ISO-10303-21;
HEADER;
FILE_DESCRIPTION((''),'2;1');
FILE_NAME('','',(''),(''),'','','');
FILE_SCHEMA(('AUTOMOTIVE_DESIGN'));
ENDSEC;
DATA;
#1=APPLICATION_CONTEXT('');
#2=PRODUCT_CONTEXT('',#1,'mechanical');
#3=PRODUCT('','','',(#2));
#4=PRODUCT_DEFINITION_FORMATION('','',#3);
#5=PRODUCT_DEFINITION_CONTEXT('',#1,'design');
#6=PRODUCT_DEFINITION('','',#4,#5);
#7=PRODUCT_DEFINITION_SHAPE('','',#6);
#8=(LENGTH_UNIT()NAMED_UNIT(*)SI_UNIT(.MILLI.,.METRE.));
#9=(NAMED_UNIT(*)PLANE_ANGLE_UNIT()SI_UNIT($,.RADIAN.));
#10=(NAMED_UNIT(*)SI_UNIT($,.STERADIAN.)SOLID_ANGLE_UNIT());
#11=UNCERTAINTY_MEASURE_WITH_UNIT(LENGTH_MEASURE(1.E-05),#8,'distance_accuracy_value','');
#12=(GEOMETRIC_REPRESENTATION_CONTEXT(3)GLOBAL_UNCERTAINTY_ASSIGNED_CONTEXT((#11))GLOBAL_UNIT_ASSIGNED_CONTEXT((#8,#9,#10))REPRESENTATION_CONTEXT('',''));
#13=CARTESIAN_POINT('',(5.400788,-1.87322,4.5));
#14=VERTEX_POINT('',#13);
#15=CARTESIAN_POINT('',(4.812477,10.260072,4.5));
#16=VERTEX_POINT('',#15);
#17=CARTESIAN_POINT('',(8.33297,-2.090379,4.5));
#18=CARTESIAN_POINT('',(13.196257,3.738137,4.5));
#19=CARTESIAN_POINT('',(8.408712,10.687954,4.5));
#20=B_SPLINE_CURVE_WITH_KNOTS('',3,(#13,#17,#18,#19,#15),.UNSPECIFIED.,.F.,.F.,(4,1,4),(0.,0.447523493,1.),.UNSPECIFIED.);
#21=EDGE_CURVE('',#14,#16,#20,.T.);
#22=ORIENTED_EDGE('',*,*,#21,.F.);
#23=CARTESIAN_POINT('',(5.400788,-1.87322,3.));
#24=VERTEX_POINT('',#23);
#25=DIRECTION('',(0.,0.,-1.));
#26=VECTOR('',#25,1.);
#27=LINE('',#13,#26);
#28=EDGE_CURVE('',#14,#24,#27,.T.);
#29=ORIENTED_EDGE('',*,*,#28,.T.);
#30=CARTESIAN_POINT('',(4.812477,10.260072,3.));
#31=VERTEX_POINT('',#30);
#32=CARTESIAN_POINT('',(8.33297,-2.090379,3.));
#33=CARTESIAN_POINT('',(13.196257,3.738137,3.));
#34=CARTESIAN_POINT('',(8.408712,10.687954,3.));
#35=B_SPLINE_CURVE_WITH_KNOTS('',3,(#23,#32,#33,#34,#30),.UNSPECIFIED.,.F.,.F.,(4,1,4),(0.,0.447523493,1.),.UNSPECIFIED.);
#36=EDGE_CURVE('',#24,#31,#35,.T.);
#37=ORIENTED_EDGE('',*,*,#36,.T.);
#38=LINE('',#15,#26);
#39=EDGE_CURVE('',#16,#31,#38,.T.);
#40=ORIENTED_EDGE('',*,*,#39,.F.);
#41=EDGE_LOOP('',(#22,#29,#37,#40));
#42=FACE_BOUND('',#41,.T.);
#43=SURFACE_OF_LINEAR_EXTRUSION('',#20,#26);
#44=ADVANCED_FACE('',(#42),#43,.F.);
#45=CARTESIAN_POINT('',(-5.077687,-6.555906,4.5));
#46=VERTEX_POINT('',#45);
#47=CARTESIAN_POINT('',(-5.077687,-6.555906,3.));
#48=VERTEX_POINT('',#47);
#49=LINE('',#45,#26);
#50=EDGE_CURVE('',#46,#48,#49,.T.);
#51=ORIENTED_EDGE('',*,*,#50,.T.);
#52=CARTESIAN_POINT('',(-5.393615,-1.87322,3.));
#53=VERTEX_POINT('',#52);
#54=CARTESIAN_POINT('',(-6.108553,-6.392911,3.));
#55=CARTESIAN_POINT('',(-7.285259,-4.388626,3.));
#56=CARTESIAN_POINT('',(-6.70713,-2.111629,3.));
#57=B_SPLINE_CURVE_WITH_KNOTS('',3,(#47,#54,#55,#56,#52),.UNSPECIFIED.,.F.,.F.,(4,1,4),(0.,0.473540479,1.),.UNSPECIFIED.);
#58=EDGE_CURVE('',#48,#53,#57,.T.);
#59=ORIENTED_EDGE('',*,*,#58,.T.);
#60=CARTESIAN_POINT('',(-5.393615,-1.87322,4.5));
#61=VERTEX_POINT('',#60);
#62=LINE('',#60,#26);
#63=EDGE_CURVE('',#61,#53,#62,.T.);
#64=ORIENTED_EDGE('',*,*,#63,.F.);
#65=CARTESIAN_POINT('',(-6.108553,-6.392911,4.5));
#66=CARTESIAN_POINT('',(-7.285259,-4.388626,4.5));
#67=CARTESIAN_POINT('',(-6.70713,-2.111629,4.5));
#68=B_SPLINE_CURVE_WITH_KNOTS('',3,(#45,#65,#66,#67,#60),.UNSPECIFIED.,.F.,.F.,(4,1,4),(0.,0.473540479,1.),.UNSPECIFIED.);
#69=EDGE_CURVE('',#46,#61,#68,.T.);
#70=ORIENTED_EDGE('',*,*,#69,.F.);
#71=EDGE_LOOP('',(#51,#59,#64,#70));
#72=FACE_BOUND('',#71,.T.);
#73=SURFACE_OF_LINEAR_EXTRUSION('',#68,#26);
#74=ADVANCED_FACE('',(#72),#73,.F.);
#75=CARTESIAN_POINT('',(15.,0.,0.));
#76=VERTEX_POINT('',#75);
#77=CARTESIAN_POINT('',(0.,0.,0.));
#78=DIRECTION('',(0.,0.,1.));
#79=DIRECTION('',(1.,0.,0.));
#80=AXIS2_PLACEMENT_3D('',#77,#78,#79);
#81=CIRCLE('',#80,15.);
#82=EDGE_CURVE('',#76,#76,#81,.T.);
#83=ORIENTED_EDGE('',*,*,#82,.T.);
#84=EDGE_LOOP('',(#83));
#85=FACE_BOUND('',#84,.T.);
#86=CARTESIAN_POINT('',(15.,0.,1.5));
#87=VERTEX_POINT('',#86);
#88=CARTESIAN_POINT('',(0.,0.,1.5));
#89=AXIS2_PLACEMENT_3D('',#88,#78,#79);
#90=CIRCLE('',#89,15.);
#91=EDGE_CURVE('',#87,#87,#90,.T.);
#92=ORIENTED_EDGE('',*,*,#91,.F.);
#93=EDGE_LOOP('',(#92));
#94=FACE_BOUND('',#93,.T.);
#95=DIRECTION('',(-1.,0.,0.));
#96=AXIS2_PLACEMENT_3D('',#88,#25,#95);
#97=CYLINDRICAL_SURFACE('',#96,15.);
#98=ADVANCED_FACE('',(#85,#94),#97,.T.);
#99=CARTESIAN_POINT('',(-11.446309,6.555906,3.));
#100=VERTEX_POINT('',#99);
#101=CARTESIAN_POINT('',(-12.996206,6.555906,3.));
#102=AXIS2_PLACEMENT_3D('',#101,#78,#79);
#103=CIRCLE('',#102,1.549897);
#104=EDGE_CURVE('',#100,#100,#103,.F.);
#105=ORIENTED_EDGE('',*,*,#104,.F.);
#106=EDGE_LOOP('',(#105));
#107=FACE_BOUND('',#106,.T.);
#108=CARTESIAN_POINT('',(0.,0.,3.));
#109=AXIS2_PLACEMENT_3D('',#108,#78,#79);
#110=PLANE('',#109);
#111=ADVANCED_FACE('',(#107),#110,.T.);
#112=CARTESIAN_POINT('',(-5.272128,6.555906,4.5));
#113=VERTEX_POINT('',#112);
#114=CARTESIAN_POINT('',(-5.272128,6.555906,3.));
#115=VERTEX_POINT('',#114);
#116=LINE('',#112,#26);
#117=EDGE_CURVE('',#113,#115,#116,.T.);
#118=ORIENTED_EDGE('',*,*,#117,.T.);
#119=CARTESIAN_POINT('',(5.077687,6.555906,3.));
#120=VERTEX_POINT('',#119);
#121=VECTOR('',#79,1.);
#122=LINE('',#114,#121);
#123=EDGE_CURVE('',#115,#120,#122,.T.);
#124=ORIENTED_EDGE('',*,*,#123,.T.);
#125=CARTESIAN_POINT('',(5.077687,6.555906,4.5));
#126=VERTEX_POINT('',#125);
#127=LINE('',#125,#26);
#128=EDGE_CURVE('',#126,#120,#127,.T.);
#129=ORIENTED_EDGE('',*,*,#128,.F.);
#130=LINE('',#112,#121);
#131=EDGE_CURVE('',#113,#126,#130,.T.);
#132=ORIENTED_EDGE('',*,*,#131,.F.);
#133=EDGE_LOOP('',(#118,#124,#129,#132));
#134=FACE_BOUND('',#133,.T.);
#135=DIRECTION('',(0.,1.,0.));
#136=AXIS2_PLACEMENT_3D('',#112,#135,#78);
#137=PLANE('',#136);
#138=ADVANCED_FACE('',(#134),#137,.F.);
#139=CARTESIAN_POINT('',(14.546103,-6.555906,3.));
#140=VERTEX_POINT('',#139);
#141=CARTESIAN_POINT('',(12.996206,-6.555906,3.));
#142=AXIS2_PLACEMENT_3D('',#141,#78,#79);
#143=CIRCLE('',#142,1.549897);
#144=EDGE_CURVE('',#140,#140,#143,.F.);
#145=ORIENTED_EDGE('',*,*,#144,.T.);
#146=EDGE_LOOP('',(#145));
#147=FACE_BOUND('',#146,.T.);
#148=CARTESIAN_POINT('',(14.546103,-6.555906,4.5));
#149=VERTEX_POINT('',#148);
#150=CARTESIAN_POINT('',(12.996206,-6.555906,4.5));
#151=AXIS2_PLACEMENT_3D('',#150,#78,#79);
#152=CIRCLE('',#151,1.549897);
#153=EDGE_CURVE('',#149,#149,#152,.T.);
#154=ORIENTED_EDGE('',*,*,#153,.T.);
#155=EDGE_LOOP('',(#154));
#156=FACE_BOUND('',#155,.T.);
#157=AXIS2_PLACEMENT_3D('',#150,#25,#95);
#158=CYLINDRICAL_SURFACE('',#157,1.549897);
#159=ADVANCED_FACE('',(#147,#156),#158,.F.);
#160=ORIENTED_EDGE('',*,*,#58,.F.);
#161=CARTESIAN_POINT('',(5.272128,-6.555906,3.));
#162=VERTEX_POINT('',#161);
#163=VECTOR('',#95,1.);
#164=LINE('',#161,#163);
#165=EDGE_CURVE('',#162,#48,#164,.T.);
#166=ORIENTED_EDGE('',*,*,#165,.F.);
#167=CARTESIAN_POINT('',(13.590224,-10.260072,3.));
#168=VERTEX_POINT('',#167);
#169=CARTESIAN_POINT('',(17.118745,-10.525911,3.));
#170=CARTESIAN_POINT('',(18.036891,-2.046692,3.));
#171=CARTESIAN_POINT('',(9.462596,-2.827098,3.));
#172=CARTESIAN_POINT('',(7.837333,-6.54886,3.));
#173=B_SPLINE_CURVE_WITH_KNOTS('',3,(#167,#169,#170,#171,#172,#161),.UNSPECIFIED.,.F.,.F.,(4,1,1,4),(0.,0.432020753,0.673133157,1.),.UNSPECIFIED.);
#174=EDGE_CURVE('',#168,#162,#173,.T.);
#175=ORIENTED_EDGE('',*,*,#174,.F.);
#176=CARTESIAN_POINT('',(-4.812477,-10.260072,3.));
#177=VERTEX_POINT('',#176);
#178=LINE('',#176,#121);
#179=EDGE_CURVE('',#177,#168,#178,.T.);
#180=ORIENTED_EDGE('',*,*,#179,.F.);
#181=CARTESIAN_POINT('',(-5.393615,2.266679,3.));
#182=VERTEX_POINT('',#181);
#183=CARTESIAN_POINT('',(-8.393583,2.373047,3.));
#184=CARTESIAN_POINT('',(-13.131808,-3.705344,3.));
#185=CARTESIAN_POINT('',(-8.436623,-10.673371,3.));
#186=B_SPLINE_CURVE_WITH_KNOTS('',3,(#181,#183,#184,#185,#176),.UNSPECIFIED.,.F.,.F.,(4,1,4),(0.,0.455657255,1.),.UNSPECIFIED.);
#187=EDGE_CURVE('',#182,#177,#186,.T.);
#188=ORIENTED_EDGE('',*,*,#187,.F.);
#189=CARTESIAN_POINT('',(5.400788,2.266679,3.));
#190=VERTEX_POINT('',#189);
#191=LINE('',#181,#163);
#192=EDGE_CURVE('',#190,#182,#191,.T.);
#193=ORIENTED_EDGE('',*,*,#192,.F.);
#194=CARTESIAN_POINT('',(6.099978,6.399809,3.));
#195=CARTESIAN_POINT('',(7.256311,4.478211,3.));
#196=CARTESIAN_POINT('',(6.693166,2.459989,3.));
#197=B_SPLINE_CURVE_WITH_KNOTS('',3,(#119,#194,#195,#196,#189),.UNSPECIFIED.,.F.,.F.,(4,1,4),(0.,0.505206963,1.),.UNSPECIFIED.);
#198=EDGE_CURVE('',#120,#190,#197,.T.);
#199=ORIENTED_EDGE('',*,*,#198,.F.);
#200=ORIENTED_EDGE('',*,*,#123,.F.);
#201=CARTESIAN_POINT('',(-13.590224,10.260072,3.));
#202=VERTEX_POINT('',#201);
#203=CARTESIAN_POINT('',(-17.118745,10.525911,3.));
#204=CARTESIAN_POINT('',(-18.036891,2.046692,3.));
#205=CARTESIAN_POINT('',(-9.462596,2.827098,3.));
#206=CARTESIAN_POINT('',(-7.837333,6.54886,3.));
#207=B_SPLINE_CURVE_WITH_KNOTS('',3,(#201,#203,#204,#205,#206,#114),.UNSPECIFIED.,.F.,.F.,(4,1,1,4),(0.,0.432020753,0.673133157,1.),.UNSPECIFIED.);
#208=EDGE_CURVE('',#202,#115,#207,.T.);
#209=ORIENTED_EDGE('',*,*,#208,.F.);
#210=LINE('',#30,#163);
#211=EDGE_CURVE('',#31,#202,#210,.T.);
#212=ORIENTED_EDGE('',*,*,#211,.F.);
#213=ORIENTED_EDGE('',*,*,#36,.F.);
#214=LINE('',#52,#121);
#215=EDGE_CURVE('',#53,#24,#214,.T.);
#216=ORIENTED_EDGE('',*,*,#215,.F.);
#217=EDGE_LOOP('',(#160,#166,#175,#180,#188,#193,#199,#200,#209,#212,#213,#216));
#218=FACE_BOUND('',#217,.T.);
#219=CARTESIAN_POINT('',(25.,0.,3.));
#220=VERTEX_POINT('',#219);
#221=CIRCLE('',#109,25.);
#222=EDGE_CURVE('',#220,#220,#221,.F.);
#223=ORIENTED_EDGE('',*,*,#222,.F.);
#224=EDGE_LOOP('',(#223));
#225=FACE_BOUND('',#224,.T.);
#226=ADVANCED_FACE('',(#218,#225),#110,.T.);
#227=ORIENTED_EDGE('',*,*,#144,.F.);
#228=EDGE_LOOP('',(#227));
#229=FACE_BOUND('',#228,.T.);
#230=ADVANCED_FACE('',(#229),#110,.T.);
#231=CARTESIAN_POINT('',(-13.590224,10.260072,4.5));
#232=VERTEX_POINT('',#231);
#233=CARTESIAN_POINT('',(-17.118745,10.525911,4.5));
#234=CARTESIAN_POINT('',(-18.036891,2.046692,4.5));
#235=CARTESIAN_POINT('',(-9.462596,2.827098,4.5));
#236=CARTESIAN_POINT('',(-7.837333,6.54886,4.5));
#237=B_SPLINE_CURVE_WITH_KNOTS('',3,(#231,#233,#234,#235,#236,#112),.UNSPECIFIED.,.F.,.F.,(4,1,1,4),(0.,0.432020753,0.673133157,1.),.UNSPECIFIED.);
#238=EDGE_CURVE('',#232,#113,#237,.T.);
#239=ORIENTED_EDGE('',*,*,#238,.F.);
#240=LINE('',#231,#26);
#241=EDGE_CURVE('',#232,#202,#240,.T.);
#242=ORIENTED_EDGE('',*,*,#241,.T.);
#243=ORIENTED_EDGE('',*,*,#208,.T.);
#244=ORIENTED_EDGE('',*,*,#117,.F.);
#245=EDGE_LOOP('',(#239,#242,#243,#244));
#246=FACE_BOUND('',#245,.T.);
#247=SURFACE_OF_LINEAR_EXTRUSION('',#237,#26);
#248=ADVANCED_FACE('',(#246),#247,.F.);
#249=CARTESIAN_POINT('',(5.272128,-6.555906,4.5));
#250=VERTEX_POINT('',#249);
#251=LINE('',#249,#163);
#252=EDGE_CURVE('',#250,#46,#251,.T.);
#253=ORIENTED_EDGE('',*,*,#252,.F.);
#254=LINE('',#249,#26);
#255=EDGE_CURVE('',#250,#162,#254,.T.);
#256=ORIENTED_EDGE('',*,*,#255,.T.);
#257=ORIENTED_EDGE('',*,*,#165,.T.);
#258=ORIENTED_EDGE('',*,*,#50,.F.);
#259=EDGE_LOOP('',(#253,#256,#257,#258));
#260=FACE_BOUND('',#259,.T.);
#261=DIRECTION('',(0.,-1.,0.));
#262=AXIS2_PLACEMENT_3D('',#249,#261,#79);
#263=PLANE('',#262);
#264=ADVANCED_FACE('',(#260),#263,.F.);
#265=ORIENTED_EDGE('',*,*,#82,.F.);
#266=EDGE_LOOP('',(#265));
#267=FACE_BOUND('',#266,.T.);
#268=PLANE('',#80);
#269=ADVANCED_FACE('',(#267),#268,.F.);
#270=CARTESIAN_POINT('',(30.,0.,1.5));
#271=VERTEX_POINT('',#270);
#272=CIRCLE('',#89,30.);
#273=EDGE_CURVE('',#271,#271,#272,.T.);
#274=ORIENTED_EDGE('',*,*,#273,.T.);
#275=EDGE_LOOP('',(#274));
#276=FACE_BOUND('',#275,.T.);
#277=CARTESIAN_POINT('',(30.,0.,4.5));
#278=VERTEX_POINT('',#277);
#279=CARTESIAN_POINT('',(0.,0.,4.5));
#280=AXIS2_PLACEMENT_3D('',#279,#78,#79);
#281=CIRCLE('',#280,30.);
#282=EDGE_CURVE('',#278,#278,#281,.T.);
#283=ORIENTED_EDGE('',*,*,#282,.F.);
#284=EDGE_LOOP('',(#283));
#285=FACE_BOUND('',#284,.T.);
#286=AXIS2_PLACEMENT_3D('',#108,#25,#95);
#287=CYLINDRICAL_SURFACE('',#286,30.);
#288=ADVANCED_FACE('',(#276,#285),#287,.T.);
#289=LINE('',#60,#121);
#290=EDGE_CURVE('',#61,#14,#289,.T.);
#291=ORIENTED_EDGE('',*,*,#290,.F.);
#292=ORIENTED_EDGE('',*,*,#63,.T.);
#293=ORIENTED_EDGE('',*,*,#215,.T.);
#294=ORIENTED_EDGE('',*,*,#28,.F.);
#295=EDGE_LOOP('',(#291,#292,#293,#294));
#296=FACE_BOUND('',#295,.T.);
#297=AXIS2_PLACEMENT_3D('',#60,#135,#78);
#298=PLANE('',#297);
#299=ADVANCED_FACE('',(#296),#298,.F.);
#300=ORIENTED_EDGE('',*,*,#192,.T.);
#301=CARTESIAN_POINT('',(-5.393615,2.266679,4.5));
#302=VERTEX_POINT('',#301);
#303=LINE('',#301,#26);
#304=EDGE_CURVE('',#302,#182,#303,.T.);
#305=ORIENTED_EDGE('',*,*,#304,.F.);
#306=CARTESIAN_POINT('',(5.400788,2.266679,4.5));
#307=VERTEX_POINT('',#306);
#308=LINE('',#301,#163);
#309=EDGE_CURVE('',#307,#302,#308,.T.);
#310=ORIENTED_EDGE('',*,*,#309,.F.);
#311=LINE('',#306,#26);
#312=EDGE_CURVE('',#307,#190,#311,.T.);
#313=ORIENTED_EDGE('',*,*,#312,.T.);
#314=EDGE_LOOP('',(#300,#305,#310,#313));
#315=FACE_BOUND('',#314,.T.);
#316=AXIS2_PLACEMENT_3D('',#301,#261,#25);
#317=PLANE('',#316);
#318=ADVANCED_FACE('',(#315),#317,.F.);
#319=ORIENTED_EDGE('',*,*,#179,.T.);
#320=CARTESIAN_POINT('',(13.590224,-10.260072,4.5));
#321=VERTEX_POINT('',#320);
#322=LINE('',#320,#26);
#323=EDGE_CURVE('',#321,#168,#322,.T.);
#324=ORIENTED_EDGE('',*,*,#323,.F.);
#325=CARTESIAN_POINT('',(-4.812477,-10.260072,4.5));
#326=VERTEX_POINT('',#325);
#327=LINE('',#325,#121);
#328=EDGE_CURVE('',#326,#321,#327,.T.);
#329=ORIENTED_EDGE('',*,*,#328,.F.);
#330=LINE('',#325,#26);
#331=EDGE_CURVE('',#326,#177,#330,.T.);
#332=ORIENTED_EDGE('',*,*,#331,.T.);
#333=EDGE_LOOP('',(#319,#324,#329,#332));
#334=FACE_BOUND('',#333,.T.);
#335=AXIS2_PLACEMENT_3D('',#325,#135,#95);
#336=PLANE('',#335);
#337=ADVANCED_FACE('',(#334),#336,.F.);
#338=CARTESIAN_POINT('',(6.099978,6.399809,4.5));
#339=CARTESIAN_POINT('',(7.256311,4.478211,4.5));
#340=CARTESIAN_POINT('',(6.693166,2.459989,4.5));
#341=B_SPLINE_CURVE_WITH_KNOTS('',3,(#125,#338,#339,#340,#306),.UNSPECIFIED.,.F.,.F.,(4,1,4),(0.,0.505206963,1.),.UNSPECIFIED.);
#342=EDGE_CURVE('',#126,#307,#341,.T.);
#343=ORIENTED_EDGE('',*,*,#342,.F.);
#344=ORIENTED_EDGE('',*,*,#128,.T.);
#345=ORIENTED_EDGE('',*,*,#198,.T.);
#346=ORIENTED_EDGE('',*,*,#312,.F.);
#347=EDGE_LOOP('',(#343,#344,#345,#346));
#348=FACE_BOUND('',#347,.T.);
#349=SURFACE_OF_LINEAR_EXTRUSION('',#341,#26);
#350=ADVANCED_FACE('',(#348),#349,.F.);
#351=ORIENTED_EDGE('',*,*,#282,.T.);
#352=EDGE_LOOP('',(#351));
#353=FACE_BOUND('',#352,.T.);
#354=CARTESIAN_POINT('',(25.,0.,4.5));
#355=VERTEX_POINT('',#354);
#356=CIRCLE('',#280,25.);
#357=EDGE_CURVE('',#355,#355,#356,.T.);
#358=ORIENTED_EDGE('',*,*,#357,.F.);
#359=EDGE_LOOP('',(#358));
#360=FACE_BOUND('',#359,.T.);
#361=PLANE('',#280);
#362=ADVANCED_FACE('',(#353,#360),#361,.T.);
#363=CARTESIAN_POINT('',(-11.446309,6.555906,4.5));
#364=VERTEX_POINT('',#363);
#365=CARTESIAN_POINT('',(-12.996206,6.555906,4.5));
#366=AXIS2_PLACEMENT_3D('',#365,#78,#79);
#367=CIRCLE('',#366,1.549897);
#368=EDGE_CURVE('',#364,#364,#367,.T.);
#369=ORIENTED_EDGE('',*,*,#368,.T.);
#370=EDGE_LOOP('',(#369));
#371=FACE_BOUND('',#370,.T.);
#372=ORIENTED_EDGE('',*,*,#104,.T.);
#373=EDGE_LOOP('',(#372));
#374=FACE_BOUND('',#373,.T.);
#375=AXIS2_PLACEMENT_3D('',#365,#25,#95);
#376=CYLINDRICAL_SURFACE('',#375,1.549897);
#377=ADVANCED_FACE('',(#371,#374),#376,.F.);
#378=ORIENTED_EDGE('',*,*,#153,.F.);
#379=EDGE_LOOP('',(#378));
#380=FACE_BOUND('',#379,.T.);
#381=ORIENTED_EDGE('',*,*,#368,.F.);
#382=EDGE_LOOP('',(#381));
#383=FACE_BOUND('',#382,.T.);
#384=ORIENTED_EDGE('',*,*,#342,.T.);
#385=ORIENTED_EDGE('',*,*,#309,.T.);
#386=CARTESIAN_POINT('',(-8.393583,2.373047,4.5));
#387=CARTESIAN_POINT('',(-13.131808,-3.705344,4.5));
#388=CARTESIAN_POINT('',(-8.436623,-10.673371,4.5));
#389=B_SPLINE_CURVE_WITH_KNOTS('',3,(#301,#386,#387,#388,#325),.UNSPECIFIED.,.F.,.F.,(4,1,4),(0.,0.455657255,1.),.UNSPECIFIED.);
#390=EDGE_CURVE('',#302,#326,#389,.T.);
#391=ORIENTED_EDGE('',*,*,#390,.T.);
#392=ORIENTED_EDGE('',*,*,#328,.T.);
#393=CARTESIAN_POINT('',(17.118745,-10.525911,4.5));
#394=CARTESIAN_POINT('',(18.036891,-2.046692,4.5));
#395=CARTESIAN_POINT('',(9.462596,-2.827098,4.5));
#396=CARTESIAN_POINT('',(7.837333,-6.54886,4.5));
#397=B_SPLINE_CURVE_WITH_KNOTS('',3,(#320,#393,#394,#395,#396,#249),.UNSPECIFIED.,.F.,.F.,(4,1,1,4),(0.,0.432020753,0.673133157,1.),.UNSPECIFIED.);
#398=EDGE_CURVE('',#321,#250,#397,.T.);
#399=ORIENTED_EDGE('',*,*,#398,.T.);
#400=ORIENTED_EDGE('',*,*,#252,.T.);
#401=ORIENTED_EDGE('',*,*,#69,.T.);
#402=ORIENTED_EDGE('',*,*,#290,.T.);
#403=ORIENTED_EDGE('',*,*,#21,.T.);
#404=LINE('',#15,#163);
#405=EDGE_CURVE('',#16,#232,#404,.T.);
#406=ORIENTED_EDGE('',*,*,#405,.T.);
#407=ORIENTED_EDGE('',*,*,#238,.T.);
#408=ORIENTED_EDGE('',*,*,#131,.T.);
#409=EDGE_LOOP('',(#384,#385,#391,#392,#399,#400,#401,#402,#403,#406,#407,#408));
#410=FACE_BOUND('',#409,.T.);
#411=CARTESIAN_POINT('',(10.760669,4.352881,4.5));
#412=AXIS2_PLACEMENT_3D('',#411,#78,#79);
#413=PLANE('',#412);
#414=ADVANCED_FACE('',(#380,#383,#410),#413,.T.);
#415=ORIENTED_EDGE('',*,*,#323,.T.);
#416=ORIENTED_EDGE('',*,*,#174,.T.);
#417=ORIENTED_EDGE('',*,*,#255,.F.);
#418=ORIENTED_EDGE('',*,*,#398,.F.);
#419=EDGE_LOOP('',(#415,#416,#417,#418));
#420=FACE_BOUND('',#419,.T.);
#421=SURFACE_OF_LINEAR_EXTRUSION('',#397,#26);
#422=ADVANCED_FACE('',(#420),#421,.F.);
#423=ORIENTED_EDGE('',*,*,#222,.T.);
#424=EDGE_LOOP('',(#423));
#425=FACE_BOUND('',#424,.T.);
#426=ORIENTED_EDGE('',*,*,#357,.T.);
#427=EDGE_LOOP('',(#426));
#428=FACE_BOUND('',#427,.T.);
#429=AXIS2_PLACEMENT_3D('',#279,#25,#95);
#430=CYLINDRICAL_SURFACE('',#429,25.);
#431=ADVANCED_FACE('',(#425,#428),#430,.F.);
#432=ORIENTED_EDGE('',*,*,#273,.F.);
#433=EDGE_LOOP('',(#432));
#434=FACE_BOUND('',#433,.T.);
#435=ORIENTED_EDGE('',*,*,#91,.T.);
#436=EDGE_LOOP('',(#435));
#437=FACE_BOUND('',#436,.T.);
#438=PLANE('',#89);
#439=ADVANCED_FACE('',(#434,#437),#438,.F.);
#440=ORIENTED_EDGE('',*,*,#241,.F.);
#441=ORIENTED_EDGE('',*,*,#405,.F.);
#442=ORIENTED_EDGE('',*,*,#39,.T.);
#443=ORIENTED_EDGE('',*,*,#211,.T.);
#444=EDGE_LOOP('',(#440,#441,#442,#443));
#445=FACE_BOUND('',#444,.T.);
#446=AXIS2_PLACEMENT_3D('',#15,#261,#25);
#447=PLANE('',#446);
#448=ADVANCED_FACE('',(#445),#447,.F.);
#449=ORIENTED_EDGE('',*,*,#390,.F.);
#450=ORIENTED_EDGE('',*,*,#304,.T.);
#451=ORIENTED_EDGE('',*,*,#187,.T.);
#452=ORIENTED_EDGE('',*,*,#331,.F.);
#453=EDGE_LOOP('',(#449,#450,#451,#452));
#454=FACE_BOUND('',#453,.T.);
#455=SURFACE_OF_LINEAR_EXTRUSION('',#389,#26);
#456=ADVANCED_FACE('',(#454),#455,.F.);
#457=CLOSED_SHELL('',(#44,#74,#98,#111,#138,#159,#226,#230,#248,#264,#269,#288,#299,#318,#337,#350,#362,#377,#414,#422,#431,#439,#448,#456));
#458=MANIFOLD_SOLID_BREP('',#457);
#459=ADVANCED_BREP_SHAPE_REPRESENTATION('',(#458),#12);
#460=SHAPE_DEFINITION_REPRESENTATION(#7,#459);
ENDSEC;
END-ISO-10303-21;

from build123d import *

# Parameters (mm, degrees)
SZKIC2_R                    = 15
DODANIE_WYCI_GNI_CIE1_DEPTH = 1.5
SZKIC3_R                    = 30
DODANIE_WYCI_GNI_CIE2_DEPTH = 1.5
SZKIC4_R                    = 1.549896932
DODANIE_WYCI_GNI_CIE3_DEPTH = 1.5
SZKIC5_R                    = 30
SZKIC5_R_2                  = 25
DODANIE_WYCI_GNI_CIE4_DEPTH = 1.5


with BuildPart() as part:
    # Szkic2 → Dodanie-wyciągnięcie1 (new body)
    with BuildSketch(Plane.XY):
        Circle(SZKIC2_R)
    extrude(amount=DODANIE_WYCI_GNI_CIE1_DEPTH)

    # Szkic3 → Dodanie-wyciągnięcie2 (add)
    with BuildSketch(Plane.XY.offset(1.5)):
        Circle(SZKIC3_R)
    extrude(amount=DODANIE_WYCI_GNI_CIE2_DEPTH)

    # Szkic4 → Dodanie-wyciągnięcie3 (add)
    with BuildSketch(Plane.XY.offset(3)):
        with BuildLine():
            Line((4.812477136, 10.260072193), (-13.590223768, 10.260072193))
            add(Edge.make_bspline(
                [(-13.590223768, 10.260072193), (-17.118745335, 10.525910667), (-18.036890573, 2.046692384), (-9.462596481, 2.827097674), (-7.837333483, 6.548859819), (-5.272128066, 6.55590597)],
                knots=[0, 0, 0, 0, 0.432020753, 0.673133157, 1, 1, 1, 1], degree=3))
            Line((-5.272128066, 6.55590597), (5.077687391, 6.55590597))
            add(Edge.make_bspline(
                [(5.400788266, 2.266678597), (6.693166153, 2.459988983), (7.256310662, 4.478210573), (6.099978239, 6.399808673), (5.077687391, 6.55590597)],
                knots=[0, 0, 0, 0, 0.494793037, 1, 1, 1, 1], degree=3))
            Line((5.400788266, 2.266678597), (-5.393615059, 2.266678597))
            add(Edge.make_bspline(
                [(-4.812477136, -10.260072193), (-8.43662289, -10.67337056), (-13.131808051, -3.70534385), (-8.393582508, 2.373047437), (-5.393615059, 2.266678597)],
                knots=[0, 0, 0, 0, 0.544342745, 1, 1, 1, 1], degree=3))
            Line((-4.812477136, -10.260072193), (13.590223768, -10.260072193))
            add(Edge.make_bspline(
                [(13.590223768, -10.260072193), (17.118745335, -10.525910667), (18.036890573, -2.046692384), (9.462596481, -2.827097674), (7.837333483, -6.548859819), (5.272128066, -6.55590597)],
                knots=[0, 0, 0, 0, 0.432020753, 0.673133157, 1, 1, 1, 1], degree=3))
            Line((5.272128066, -6.55590597), (-5.077687391, -6.55590597))
            add(Edge.make_bspline(
                [(-5.393615059, -1.873220172), (-6.707130139, -2.111629026), (-7.285258718, -4.388625667), (-6.108553028, -6.392911018), (-5.077687391, -6.55590597)],
                knots=[0, 0, 0, 0, 0.526459521, 1, 1, 1, 1], degree=3))
            Line((-5.393615059, -1.873220172), (5.400788266, -1.873220172))
            add(Edge.make_bspline(
                [(4.812477136, 10.260072193), (8.408712031, 10.687954055), (13.196256947, 3.738137397), (8.332970423, -2.090379005), (5.400788266, -1.873220172)],
                knots=[0, 0, 0, 0, 0.552476507, 1, 1, 1, 1], degree=3))
        make_face()
        with Locations((-12.996205696, 6.55590597)):
            Circle(SZKIC4_R, mode=Mode.SUBTRACT)
        with Locations((12.996205696, -6.55590597)):
            Circle(SZKIC4_R, mode=Mode.SUBTRACT)
    extrude(amount=DODANIE_WYCI_GNI_CIE3_DEPTH)

    # Szkic5 → Dodanie-wyciągnięcie4 (add)
    with BuildSketch(Plane.XY.offset(3)):
        Circle(SZKIC5_R)
        Circle(SZKIC5_R_2, mode=Mode.SUBTRACT)
    extrude(amount=DODANIE_WYCI_GNI_CIE4_DEPTH)


solid = part.part
